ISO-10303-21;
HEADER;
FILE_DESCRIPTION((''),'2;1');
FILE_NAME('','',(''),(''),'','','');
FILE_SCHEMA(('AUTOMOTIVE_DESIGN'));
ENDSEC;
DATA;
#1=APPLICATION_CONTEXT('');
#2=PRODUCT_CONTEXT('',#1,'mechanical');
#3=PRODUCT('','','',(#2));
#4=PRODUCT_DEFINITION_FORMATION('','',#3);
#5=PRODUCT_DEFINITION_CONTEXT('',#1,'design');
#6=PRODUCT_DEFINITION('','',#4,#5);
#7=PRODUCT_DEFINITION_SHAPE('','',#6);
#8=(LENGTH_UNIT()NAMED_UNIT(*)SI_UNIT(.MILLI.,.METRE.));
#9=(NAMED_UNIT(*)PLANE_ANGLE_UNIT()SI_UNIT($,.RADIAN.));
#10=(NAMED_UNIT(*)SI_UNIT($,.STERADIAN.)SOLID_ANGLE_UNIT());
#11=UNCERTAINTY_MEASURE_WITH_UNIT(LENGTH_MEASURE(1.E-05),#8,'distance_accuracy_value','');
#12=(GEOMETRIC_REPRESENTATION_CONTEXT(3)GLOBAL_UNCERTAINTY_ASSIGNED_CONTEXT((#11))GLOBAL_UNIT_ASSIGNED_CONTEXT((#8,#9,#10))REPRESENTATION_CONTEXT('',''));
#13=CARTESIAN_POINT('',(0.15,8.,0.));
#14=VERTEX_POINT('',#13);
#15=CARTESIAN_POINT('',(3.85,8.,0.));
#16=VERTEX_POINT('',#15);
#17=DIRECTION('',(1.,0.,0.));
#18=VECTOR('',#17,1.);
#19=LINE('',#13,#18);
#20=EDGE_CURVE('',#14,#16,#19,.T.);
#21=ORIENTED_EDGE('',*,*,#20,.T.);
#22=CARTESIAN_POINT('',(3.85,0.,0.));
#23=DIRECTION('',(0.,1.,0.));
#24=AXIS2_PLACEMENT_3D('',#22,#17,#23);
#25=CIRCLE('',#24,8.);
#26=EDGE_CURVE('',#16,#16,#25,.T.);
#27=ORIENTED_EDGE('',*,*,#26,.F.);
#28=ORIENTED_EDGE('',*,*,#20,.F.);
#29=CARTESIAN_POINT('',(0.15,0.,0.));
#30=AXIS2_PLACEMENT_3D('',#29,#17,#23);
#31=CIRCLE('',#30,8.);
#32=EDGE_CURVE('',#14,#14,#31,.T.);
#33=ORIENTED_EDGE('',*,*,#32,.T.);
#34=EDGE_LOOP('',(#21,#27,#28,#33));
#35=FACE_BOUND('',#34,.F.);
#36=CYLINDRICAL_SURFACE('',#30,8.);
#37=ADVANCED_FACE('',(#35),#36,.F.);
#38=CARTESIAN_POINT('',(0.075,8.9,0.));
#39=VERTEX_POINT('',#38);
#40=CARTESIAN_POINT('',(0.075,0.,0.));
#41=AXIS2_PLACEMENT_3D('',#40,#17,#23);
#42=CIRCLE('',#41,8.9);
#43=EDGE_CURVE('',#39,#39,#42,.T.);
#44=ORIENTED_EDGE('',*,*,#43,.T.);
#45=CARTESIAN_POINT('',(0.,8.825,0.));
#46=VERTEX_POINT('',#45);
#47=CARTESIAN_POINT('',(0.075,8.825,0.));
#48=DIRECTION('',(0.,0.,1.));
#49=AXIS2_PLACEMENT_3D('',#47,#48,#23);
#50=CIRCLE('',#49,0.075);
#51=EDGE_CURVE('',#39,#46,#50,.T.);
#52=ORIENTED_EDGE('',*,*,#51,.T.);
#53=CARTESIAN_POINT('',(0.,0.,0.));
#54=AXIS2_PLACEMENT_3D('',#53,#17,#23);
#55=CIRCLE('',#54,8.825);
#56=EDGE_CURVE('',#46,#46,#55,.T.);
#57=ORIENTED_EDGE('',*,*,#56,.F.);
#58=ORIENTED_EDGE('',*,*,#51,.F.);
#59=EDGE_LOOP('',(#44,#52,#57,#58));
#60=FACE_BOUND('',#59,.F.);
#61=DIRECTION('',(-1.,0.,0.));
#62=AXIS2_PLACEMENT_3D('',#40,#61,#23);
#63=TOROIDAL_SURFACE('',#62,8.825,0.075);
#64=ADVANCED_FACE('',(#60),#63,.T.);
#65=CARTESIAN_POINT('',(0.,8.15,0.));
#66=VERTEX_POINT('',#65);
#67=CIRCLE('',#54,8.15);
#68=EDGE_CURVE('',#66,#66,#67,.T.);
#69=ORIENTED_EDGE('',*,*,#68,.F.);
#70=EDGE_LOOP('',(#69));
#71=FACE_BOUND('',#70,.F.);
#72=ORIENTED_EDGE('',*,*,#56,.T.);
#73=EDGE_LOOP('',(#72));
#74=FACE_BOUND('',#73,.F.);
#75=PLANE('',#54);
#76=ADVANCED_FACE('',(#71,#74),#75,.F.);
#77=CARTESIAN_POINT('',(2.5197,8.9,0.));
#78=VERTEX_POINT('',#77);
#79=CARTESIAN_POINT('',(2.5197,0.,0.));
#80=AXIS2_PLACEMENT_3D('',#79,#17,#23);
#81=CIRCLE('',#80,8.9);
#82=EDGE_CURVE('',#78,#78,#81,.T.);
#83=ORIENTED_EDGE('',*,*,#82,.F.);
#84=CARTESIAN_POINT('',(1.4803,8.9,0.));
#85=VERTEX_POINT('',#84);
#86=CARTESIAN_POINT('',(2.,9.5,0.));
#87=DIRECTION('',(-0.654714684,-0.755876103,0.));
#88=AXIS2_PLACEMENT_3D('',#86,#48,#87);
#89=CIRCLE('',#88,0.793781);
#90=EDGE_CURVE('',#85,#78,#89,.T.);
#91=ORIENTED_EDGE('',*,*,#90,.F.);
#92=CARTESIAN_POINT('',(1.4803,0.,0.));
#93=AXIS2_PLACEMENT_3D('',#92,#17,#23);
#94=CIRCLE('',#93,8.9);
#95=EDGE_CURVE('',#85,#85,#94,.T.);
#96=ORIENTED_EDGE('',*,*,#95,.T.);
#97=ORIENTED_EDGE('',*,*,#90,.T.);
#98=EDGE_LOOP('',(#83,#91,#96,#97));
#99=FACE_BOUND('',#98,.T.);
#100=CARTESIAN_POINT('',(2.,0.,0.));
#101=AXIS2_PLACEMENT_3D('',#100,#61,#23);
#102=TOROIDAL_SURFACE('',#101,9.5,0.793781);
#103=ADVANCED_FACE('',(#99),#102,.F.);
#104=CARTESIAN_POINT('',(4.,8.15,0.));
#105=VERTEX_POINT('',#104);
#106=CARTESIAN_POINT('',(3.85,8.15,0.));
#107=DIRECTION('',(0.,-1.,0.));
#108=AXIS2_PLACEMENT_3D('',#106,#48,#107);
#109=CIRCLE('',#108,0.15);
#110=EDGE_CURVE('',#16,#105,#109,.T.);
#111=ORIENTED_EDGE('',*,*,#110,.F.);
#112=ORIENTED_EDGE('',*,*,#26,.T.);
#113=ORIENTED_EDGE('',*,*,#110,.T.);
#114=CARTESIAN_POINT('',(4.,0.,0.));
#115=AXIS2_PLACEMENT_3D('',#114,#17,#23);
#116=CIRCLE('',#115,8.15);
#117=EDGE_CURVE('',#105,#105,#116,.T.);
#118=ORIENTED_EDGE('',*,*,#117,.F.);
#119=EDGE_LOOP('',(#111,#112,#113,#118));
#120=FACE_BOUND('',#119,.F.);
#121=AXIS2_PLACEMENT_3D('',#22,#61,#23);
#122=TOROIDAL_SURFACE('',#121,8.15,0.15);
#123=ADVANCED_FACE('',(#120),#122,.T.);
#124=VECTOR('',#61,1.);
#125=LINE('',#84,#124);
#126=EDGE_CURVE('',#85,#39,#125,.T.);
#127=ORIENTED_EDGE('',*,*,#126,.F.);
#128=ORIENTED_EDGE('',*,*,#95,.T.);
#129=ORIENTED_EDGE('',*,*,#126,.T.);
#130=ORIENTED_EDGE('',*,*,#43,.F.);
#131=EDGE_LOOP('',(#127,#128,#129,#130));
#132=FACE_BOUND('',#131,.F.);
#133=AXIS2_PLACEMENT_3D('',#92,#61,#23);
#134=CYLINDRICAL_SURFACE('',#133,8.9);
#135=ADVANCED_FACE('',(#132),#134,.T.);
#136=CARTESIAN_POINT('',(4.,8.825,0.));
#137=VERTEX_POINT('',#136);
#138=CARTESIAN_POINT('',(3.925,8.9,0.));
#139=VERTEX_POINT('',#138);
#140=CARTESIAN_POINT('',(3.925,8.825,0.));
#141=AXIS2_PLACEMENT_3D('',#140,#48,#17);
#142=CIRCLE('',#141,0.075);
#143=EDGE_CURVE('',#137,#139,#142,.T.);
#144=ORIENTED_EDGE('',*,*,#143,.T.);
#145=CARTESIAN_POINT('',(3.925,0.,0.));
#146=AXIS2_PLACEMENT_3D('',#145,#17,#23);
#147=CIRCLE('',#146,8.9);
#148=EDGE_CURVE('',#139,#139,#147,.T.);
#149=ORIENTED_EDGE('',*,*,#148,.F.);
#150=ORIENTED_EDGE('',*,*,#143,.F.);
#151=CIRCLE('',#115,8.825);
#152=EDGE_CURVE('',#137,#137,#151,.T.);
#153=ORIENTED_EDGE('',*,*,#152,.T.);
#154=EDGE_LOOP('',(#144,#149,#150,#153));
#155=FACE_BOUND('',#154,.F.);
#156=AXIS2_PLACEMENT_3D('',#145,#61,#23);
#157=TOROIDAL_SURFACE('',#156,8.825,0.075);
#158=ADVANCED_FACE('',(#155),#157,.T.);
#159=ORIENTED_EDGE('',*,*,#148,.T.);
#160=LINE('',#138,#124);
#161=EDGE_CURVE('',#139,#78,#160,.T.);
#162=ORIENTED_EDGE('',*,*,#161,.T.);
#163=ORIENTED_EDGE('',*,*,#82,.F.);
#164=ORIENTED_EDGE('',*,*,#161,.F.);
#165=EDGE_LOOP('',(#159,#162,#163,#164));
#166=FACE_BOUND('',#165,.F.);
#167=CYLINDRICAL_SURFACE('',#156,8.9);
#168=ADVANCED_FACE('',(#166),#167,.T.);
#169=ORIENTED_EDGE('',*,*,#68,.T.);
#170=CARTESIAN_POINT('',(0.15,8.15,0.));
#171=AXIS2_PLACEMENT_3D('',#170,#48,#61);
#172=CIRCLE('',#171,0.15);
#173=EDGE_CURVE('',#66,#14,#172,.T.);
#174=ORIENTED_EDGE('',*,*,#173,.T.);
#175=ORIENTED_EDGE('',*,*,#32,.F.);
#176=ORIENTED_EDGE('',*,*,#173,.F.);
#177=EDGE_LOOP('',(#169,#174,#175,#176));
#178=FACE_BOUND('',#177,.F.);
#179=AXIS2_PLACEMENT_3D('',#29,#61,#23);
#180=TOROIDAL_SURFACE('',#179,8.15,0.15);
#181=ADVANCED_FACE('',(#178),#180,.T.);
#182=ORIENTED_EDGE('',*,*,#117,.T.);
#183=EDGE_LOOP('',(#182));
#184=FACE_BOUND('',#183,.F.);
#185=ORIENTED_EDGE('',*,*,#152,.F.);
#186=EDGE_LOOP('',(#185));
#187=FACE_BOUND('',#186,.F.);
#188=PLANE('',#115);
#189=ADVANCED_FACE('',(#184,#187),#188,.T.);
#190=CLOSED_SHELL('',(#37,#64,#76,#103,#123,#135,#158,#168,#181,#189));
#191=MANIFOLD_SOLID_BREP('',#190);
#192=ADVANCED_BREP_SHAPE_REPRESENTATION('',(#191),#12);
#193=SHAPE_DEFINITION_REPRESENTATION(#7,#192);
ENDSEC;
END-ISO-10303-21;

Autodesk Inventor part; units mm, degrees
sketch "Sketch_1" plane through (0, 0, 0) normal (0, 0, 1) x (1, 0, 0)
  line L0 (4, 0) -> (0, 0)
  line L1 (0, 8.825) -> (0, 8.15)
  arc A0 (0, 8.15) -> (0.15, 8) centre (0.15, 8.15) ccw
  line L2 (0.15, 8) -> (3.85, 8)
  arc A1 (3.85, 8) -> (4, 8.15) centre (3.85, 8.15) ccw
  line L3 (4, 8.15) -> (4, 8.825)
  arc A2 (4, 8.825) -> (3.925, 8.9) centre (3.925, 8.825) ccw
  line L4 (3.925, 8.9) -> (2.5197, 8.9)
  arc A3 (1.4803, 8.9) -> (2.5197, 8.9) centre (2, 9.5) ccw
  line L5 (1.4803, 8.9) -> (0.075, 8.9)
  arc A4 (0.075, 8.9) -> (0, 8.825) centre (0.075, 8.825) ccw
revolve "Revolution1" add sketch "Sketch_1" angle 360 about axis through (4, 0, 0) along (1, 0, 0)
ref_plane "1_XY" through (2, 0, 0) normal (1, 0, 0) x (0, 0, -1)
ref_plane "1_YZ" through (2, 0, 0) normal (0, 0, -1) x (0, 1, 0)
ref_plane "1_ZX" through (2, 0, 0) normal (0, 1, 0) x (1, 0, 0)
ref_plane "1_Dummy_XY" through (0, 0, 0) normal (-1, 0, 0) x (0, 0, -1)
ref_plane "1_Dummy_YZ" through (0, 0, 0) normal (0, 0, -1) x (0, -1, 0)
ref_plane "1_Dummy_ZX" through (0, 0, 0) normal (0, -1, 0) x (-1, 0, 0)
properties part number "A-2216_ir"
